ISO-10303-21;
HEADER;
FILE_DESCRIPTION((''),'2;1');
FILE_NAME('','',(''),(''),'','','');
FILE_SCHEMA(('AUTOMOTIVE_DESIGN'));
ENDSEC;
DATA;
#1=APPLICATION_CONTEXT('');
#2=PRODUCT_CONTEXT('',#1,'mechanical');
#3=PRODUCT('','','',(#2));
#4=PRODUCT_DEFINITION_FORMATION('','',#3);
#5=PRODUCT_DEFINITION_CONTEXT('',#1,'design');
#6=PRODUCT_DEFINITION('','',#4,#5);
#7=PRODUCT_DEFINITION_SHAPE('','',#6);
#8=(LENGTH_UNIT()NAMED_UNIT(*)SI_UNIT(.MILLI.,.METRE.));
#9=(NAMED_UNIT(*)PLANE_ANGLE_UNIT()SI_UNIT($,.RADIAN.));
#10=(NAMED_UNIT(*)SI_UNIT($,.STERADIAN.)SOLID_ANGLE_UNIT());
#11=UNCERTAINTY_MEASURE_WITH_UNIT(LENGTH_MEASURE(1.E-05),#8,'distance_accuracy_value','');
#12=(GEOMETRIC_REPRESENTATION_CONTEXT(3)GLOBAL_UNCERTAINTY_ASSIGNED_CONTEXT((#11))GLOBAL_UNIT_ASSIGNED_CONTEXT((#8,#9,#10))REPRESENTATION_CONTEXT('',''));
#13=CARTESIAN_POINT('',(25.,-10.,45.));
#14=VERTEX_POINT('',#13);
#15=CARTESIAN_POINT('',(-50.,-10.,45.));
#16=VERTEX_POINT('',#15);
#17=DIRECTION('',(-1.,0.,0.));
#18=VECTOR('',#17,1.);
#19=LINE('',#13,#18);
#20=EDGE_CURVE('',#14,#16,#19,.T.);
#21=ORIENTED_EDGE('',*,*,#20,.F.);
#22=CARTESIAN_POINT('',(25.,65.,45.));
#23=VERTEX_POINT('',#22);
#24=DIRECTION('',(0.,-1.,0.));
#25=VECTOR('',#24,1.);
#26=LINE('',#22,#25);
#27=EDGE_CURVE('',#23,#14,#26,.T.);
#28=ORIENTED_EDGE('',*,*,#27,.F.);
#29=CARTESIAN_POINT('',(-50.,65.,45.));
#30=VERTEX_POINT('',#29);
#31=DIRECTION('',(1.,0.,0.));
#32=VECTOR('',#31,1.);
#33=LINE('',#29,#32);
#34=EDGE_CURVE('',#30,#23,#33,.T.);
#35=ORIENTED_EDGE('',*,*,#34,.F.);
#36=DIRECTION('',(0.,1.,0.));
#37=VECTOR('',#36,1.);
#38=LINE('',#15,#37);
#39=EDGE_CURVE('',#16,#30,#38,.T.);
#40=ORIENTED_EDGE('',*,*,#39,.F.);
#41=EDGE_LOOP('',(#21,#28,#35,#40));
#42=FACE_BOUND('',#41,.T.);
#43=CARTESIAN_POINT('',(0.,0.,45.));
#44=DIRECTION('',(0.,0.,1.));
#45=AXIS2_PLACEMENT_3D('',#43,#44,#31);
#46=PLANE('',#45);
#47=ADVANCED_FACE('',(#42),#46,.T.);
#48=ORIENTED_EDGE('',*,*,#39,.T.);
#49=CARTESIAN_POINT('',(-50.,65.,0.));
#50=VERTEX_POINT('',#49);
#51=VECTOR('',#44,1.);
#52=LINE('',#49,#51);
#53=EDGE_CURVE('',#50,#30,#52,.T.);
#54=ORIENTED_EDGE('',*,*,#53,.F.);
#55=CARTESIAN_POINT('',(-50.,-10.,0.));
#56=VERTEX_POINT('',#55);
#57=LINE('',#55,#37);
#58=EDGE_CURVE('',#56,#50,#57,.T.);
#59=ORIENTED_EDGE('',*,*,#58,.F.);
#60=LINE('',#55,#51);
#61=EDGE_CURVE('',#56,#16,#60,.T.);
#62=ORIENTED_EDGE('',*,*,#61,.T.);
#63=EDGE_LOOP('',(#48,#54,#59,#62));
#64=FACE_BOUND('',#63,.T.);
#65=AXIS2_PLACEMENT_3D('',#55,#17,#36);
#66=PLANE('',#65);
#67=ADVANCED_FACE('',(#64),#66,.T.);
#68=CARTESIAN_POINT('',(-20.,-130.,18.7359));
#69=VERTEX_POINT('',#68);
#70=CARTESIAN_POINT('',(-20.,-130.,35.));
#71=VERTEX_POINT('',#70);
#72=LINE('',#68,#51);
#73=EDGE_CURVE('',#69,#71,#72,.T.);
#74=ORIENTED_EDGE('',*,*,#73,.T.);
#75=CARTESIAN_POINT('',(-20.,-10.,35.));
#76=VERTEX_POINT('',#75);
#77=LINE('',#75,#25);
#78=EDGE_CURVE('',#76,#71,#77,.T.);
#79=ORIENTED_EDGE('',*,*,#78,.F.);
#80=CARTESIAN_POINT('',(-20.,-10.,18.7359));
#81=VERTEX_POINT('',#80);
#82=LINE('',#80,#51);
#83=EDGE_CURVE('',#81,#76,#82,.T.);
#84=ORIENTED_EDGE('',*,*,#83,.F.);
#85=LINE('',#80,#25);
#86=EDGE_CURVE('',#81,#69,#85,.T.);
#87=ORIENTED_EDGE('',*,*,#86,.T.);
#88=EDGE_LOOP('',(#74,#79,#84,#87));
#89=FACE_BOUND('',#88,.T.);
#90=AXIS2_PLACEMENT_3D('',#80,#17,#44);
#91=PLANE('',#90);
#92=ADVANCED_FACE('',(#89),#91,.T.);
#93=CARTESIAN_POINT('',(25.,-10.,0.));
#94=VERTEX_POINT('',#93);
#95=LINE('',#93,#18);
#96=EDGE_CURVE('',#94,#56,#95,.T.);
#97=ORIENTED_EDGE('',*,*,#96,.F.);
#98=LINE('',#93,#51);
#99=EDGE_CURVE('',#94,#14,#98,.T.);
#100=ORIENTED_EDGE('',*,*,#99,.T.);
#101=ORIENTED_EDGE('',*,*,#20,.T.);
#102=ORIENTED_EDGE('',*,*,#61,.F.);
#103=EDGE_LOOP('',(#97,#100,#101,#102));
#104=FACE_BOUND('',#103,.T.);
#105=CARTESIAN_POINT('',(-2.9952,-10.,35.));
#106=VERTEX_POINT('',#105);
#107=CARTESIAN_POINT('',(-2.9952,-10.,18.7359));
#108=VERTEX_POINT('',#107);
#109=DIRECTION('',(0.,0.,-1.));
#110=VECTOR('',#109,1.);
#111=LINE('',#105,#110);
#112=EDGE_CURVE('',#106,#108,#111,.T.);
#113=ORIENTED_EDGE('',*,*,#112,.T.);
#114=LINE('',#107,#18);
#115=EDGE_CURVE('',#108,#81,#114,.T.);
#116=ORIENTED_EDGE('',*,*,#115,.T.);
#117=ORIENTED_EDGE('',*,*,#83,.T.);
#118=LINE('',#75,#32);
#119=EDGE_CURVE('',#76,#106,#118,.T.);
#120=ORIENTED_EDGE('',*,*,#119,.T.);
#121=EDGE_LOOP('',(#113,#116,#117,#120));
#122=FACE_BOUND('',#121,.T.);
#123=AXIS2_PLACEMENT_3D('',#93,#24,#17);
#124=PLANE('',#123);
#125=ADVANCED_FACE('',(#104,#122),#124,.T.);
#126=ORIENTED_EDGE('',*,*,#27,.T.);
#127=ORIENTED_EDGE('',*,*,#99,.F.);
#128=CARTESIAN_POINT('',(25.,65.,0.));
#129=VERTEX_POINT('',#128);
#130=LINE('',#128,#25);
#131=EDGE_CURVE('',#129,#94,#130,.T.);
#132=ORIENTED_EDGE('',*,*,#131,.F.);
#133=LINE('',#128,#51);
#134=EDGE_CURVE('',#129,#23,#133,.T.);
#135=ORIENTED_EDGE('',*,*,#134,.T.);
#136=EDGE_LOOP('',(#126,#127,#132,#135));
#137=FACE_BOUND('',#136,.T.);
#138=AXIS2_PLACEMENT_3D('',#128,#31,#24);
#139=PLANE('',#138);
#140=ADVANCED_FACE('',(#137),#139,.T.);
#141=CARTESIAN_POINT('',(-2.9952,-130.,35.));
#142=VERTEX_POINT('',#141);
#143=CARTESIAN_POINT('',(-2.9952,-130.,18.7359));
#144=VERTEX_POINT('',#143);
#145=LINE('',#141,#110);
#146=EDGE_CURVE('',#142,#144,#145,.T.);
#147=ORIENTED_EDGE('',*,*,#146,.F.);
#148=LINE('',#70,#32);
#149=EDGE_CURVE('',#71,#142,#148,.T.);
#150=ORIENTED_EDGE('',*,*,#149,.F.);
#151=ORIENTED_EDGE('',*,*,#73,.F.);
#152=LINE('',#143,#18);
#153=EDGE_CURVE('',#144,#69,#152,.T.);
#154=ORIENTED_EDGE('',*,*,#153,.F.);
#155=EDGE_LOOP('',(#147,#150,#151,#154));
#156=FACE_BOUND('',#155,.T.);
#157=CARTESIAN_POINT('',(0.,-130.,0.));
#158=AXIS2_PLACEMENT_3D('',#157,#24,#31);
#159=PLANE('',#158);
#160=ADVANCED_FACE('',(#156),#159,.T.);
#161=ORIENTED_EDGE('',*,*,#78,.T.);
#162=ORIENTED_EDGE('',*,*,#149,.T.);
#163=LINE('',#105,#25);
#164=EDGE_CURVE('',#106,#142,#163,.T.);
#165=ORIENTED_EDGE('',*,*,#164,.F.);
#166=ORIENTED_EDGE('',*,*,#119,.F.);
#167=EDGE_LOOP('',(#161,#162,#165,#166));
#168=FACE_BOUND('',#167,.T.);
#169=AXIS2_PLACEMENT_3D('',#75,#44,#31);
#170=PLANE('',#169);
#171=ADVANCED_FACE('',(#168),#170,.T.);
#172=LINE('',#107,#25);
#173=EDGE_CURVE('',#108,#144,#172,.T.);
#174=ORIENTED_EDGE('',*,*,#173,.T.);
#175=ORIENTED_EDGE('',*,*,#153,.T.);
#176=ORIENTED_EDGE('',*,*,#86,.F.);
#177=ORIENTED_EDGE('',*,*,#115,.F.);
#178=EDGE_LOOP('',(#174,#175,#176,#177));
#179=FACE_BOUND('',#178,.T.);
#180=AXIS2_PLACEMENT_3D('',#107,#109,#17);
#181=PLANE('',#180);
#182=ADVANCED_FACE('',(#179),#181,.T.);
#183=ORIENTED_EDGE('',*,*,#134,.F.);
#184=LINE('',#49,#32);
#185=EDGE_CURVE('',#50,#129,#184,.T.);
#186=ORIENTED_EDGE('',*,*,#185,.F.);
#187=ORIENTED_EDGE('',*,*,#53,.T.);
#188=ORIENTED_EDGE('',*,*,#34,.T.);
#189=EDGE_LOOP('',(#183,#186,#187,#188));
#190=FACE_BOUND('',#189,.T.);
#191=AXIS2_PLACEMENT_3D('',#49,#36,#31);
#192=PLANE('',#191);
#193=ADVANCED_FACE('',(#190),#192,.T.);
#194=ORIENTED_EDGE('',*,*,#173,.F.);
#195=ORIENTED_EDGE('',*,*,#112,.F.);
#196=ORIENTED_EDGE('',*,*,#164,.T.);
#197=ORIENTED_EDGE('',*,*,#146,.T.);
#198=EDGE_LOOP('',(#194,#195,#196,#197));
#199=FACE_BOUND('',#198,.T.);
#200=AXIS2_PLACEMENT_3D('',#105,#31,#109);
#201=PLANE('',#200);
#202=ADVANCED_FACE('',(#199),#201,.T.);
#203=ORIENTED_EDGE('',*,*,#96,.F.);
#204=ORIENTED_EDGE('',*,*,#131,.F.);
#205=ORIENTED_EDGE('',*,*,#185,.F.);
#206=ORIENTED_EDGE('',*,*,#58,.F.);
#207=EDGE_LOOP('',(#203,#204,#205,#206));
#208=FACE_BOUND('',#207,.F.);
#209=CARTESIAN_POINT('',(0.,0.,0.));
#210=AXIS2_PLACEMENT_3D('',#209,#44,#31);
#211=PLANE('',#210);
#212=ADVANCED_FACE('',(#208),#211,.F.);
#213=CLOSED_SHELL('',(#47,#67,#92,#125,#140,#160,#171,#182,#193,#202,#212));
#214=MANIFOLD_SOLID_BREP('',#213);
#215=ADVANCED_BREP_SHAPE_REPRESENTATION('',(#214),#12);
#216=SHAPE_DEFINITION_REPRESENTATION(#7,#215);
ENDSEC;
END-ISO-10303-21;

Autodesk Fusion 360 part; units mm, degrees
sketch "Sketch1" plane through (0, 0, 0) normal (0, 0, 1) x (1, 0, 0)
  line L0 (-50, 65) -> (25, 65)
  line L1 (25, 65) -> (25, -10)
  line L2 (25, -10) -> (-50, -10)
  line L3 (-50, -10) -> (-50, 65)
extrude "Extrude1" add sketch "Sketch1" along normal blind 45
sketch "Sketch2" plane through (0, -10, 0) normal (0, -1, 0) x (1, 0, 0)
  line L0 (-50, 0) -> (25, 0)
  line L1 (25, 0) -> (25, 45)
  line L2 (25, 45) -> (-50, 45)
  line L3 (-50, 45) -> (-50, 0)
  line L4 (-20, 35) -> (-2.9952, 35)
  line L5 (-2.9952, 35) -> (-2.9952, 18.7359)
  line L6 (-2.9952, 18.7359) -> (-20, 18.7359)
  line L7 (-20, 18.7359) -> (-20, 35)
extrude "Extrude2" add sketch "Sketch2" along normal blind 120 contours L4 L5 L6 L7
